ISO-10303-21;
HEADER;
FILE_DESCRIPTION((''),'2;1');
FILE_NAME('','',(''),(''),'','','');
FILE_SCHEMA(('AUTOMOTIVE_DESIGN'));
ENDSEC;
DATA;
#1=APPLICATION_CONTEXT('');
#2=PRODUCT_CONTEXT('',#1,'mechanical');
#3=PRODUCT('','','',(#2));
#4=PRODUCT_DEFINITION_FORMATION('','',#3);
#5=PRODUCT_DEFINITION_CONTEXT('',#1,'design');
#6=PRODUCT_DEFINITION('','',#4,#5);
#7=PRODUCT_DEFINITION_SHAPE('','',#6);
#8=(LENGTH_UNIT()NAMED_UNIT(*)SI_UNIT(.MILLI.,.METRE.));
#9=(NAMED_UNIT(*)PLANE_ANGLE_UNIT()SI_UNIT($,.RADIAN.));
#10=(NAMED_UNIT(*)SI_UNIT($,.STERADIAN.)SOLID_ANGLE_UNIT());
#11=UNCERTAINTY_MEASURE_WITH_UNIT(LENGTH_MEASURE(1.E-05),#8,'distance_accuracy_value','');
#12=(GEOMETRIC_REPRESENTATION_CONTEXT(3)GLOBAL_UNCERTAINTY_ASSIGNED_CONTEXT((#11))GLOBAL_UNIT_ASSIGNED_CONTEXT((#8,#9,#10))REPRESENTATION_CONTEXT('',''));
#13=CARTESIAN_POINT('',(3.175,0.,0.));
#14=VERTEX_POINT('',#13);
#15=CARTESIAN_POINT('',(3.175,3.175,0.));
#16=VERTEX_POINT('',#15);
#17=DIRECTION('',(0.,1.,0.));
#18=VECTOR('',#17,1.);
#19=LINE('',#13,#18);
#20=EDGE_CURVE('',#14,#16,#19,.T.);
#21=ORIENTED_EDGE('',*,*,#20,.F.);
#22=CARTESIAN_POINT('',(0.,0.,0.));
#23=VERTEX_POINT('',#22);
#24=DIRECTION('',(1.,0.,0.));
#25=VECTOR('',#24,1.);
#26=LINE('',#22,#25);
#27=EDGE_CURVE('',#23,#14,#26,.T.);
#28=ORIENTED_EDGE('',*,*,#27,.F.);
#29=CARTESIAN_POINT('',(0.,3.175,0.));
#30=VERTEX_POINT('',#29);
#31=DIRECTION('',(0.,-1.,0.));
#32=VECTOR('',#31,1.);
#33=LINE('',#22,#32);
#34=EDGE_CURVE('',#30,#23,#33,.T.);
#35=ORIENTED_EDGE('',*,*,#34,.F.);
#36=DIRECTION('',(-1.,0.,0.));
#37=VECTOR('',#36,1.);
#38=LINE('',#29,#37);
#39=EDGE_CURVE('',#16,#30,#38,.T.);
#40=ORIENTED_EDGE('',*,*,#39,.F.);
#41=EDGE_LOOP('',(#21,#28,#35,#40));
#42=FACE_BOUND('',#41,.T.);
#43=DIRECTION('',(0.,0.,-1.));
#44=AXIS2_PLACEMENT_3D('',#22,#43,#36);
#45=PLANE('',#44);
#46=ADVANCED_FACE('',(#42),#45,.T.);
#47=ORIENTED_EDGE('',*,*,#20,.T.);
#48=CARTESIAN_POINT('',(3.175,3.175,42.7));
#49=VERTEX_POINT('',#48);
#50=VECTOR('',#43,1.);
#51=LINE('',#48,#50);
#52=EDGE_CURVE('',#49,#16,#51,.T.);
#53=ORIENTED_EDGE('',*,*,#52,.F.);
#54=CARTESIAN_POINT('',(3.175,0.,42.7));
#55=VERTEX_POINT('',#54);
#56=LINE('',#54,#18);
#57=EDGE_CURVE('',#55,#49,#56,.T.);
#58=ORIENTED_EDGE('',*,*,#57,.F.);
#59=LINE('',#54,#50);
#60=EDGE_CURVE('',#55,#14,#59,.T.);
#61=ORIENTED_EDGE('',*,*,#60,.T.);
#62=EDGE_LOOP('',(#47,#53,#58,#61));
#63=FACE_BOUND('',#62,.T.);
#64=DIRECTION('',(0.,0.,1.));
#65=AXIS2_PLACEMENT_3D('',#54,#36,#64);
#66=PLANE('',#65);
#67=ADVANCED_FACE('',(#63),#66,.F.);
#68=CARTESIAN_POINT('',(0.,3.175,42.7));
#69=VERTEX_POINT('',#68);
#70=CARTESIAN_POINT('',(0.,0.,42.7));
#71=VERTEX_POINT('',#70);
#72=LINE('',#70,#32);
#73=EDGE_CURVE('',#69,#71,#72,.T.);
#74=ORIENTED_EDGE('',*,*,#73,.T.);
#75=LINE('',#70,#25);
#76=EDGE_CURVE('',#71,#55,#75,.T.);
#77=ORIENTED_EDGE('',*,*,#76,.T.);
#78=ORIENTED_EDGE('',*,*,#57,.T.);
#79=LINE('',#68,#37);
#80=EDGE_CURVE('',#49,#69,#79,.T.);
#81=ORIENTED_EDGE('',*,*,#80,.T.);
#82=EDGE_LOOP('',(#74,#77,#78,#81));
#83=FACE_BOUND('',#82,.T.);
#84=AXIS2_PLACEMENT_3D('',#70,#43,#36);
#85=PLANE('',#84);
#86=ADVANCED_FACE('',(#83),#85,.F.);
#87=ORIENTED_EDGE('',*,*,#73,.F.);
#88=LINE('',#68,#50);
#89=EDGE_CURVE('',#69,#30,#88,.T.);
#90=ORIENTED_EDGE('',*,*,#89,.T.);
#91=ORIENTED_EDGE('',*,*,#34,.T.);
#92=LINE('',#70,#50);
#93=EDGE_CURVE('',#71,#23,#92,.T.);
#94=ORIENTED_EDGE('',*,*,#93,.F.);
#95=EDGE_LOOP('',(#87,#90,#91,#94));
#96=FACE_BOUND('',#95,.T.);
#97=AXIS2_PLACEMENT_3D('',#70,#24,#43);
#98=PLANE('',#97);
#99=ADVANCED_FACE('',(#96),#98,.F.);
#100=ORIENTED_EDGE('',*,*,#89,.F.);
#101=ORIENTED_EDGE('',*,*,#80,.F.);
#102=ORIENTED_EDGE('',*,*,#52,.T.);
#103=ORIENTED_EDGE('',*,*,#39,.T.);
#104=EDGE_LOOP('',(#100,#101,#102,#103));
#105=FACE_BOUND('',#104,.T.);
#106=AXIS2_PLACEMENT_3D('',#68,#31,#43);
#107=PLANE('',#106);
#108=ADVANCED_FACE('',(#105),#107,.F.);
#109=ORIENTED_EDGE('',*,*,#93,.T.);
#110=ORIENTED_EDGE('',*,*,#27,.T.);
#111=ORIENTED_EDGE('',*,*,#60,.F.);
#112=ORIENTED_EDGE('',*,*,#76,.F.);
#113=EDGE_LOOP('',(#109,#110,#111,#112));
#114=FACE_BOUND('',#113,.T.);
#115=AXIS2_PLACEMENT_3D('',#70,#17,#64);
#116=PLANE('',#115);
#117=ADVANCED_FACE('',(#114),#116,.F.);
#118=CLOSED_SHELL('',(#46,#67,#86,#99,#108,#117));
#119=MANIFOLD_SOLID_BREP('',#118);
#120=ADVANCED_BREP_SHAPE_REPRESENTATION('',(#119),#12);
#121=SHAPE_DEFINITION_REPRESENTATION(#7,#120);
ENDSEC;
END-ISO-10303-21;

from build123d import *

# Parameters (mm, degrees)
SKETCH1_W           = 3.175
SKETCH1_H           = 3.175
BOSS_EXTRUDE1_DEPTH = 42.7


with BuildPart() as part:
    # Sketch1 → Boss-Extrude1 (new body)
    with BuildSketch(Plane.XY):
        with Locations((1.5875, 1.5875)):
            Rectangle(SKETCH1_W, SKETCH1_H)
    extrude(amount=BOSS_EXTRUDE1_DEPTH)


solid = part.part
